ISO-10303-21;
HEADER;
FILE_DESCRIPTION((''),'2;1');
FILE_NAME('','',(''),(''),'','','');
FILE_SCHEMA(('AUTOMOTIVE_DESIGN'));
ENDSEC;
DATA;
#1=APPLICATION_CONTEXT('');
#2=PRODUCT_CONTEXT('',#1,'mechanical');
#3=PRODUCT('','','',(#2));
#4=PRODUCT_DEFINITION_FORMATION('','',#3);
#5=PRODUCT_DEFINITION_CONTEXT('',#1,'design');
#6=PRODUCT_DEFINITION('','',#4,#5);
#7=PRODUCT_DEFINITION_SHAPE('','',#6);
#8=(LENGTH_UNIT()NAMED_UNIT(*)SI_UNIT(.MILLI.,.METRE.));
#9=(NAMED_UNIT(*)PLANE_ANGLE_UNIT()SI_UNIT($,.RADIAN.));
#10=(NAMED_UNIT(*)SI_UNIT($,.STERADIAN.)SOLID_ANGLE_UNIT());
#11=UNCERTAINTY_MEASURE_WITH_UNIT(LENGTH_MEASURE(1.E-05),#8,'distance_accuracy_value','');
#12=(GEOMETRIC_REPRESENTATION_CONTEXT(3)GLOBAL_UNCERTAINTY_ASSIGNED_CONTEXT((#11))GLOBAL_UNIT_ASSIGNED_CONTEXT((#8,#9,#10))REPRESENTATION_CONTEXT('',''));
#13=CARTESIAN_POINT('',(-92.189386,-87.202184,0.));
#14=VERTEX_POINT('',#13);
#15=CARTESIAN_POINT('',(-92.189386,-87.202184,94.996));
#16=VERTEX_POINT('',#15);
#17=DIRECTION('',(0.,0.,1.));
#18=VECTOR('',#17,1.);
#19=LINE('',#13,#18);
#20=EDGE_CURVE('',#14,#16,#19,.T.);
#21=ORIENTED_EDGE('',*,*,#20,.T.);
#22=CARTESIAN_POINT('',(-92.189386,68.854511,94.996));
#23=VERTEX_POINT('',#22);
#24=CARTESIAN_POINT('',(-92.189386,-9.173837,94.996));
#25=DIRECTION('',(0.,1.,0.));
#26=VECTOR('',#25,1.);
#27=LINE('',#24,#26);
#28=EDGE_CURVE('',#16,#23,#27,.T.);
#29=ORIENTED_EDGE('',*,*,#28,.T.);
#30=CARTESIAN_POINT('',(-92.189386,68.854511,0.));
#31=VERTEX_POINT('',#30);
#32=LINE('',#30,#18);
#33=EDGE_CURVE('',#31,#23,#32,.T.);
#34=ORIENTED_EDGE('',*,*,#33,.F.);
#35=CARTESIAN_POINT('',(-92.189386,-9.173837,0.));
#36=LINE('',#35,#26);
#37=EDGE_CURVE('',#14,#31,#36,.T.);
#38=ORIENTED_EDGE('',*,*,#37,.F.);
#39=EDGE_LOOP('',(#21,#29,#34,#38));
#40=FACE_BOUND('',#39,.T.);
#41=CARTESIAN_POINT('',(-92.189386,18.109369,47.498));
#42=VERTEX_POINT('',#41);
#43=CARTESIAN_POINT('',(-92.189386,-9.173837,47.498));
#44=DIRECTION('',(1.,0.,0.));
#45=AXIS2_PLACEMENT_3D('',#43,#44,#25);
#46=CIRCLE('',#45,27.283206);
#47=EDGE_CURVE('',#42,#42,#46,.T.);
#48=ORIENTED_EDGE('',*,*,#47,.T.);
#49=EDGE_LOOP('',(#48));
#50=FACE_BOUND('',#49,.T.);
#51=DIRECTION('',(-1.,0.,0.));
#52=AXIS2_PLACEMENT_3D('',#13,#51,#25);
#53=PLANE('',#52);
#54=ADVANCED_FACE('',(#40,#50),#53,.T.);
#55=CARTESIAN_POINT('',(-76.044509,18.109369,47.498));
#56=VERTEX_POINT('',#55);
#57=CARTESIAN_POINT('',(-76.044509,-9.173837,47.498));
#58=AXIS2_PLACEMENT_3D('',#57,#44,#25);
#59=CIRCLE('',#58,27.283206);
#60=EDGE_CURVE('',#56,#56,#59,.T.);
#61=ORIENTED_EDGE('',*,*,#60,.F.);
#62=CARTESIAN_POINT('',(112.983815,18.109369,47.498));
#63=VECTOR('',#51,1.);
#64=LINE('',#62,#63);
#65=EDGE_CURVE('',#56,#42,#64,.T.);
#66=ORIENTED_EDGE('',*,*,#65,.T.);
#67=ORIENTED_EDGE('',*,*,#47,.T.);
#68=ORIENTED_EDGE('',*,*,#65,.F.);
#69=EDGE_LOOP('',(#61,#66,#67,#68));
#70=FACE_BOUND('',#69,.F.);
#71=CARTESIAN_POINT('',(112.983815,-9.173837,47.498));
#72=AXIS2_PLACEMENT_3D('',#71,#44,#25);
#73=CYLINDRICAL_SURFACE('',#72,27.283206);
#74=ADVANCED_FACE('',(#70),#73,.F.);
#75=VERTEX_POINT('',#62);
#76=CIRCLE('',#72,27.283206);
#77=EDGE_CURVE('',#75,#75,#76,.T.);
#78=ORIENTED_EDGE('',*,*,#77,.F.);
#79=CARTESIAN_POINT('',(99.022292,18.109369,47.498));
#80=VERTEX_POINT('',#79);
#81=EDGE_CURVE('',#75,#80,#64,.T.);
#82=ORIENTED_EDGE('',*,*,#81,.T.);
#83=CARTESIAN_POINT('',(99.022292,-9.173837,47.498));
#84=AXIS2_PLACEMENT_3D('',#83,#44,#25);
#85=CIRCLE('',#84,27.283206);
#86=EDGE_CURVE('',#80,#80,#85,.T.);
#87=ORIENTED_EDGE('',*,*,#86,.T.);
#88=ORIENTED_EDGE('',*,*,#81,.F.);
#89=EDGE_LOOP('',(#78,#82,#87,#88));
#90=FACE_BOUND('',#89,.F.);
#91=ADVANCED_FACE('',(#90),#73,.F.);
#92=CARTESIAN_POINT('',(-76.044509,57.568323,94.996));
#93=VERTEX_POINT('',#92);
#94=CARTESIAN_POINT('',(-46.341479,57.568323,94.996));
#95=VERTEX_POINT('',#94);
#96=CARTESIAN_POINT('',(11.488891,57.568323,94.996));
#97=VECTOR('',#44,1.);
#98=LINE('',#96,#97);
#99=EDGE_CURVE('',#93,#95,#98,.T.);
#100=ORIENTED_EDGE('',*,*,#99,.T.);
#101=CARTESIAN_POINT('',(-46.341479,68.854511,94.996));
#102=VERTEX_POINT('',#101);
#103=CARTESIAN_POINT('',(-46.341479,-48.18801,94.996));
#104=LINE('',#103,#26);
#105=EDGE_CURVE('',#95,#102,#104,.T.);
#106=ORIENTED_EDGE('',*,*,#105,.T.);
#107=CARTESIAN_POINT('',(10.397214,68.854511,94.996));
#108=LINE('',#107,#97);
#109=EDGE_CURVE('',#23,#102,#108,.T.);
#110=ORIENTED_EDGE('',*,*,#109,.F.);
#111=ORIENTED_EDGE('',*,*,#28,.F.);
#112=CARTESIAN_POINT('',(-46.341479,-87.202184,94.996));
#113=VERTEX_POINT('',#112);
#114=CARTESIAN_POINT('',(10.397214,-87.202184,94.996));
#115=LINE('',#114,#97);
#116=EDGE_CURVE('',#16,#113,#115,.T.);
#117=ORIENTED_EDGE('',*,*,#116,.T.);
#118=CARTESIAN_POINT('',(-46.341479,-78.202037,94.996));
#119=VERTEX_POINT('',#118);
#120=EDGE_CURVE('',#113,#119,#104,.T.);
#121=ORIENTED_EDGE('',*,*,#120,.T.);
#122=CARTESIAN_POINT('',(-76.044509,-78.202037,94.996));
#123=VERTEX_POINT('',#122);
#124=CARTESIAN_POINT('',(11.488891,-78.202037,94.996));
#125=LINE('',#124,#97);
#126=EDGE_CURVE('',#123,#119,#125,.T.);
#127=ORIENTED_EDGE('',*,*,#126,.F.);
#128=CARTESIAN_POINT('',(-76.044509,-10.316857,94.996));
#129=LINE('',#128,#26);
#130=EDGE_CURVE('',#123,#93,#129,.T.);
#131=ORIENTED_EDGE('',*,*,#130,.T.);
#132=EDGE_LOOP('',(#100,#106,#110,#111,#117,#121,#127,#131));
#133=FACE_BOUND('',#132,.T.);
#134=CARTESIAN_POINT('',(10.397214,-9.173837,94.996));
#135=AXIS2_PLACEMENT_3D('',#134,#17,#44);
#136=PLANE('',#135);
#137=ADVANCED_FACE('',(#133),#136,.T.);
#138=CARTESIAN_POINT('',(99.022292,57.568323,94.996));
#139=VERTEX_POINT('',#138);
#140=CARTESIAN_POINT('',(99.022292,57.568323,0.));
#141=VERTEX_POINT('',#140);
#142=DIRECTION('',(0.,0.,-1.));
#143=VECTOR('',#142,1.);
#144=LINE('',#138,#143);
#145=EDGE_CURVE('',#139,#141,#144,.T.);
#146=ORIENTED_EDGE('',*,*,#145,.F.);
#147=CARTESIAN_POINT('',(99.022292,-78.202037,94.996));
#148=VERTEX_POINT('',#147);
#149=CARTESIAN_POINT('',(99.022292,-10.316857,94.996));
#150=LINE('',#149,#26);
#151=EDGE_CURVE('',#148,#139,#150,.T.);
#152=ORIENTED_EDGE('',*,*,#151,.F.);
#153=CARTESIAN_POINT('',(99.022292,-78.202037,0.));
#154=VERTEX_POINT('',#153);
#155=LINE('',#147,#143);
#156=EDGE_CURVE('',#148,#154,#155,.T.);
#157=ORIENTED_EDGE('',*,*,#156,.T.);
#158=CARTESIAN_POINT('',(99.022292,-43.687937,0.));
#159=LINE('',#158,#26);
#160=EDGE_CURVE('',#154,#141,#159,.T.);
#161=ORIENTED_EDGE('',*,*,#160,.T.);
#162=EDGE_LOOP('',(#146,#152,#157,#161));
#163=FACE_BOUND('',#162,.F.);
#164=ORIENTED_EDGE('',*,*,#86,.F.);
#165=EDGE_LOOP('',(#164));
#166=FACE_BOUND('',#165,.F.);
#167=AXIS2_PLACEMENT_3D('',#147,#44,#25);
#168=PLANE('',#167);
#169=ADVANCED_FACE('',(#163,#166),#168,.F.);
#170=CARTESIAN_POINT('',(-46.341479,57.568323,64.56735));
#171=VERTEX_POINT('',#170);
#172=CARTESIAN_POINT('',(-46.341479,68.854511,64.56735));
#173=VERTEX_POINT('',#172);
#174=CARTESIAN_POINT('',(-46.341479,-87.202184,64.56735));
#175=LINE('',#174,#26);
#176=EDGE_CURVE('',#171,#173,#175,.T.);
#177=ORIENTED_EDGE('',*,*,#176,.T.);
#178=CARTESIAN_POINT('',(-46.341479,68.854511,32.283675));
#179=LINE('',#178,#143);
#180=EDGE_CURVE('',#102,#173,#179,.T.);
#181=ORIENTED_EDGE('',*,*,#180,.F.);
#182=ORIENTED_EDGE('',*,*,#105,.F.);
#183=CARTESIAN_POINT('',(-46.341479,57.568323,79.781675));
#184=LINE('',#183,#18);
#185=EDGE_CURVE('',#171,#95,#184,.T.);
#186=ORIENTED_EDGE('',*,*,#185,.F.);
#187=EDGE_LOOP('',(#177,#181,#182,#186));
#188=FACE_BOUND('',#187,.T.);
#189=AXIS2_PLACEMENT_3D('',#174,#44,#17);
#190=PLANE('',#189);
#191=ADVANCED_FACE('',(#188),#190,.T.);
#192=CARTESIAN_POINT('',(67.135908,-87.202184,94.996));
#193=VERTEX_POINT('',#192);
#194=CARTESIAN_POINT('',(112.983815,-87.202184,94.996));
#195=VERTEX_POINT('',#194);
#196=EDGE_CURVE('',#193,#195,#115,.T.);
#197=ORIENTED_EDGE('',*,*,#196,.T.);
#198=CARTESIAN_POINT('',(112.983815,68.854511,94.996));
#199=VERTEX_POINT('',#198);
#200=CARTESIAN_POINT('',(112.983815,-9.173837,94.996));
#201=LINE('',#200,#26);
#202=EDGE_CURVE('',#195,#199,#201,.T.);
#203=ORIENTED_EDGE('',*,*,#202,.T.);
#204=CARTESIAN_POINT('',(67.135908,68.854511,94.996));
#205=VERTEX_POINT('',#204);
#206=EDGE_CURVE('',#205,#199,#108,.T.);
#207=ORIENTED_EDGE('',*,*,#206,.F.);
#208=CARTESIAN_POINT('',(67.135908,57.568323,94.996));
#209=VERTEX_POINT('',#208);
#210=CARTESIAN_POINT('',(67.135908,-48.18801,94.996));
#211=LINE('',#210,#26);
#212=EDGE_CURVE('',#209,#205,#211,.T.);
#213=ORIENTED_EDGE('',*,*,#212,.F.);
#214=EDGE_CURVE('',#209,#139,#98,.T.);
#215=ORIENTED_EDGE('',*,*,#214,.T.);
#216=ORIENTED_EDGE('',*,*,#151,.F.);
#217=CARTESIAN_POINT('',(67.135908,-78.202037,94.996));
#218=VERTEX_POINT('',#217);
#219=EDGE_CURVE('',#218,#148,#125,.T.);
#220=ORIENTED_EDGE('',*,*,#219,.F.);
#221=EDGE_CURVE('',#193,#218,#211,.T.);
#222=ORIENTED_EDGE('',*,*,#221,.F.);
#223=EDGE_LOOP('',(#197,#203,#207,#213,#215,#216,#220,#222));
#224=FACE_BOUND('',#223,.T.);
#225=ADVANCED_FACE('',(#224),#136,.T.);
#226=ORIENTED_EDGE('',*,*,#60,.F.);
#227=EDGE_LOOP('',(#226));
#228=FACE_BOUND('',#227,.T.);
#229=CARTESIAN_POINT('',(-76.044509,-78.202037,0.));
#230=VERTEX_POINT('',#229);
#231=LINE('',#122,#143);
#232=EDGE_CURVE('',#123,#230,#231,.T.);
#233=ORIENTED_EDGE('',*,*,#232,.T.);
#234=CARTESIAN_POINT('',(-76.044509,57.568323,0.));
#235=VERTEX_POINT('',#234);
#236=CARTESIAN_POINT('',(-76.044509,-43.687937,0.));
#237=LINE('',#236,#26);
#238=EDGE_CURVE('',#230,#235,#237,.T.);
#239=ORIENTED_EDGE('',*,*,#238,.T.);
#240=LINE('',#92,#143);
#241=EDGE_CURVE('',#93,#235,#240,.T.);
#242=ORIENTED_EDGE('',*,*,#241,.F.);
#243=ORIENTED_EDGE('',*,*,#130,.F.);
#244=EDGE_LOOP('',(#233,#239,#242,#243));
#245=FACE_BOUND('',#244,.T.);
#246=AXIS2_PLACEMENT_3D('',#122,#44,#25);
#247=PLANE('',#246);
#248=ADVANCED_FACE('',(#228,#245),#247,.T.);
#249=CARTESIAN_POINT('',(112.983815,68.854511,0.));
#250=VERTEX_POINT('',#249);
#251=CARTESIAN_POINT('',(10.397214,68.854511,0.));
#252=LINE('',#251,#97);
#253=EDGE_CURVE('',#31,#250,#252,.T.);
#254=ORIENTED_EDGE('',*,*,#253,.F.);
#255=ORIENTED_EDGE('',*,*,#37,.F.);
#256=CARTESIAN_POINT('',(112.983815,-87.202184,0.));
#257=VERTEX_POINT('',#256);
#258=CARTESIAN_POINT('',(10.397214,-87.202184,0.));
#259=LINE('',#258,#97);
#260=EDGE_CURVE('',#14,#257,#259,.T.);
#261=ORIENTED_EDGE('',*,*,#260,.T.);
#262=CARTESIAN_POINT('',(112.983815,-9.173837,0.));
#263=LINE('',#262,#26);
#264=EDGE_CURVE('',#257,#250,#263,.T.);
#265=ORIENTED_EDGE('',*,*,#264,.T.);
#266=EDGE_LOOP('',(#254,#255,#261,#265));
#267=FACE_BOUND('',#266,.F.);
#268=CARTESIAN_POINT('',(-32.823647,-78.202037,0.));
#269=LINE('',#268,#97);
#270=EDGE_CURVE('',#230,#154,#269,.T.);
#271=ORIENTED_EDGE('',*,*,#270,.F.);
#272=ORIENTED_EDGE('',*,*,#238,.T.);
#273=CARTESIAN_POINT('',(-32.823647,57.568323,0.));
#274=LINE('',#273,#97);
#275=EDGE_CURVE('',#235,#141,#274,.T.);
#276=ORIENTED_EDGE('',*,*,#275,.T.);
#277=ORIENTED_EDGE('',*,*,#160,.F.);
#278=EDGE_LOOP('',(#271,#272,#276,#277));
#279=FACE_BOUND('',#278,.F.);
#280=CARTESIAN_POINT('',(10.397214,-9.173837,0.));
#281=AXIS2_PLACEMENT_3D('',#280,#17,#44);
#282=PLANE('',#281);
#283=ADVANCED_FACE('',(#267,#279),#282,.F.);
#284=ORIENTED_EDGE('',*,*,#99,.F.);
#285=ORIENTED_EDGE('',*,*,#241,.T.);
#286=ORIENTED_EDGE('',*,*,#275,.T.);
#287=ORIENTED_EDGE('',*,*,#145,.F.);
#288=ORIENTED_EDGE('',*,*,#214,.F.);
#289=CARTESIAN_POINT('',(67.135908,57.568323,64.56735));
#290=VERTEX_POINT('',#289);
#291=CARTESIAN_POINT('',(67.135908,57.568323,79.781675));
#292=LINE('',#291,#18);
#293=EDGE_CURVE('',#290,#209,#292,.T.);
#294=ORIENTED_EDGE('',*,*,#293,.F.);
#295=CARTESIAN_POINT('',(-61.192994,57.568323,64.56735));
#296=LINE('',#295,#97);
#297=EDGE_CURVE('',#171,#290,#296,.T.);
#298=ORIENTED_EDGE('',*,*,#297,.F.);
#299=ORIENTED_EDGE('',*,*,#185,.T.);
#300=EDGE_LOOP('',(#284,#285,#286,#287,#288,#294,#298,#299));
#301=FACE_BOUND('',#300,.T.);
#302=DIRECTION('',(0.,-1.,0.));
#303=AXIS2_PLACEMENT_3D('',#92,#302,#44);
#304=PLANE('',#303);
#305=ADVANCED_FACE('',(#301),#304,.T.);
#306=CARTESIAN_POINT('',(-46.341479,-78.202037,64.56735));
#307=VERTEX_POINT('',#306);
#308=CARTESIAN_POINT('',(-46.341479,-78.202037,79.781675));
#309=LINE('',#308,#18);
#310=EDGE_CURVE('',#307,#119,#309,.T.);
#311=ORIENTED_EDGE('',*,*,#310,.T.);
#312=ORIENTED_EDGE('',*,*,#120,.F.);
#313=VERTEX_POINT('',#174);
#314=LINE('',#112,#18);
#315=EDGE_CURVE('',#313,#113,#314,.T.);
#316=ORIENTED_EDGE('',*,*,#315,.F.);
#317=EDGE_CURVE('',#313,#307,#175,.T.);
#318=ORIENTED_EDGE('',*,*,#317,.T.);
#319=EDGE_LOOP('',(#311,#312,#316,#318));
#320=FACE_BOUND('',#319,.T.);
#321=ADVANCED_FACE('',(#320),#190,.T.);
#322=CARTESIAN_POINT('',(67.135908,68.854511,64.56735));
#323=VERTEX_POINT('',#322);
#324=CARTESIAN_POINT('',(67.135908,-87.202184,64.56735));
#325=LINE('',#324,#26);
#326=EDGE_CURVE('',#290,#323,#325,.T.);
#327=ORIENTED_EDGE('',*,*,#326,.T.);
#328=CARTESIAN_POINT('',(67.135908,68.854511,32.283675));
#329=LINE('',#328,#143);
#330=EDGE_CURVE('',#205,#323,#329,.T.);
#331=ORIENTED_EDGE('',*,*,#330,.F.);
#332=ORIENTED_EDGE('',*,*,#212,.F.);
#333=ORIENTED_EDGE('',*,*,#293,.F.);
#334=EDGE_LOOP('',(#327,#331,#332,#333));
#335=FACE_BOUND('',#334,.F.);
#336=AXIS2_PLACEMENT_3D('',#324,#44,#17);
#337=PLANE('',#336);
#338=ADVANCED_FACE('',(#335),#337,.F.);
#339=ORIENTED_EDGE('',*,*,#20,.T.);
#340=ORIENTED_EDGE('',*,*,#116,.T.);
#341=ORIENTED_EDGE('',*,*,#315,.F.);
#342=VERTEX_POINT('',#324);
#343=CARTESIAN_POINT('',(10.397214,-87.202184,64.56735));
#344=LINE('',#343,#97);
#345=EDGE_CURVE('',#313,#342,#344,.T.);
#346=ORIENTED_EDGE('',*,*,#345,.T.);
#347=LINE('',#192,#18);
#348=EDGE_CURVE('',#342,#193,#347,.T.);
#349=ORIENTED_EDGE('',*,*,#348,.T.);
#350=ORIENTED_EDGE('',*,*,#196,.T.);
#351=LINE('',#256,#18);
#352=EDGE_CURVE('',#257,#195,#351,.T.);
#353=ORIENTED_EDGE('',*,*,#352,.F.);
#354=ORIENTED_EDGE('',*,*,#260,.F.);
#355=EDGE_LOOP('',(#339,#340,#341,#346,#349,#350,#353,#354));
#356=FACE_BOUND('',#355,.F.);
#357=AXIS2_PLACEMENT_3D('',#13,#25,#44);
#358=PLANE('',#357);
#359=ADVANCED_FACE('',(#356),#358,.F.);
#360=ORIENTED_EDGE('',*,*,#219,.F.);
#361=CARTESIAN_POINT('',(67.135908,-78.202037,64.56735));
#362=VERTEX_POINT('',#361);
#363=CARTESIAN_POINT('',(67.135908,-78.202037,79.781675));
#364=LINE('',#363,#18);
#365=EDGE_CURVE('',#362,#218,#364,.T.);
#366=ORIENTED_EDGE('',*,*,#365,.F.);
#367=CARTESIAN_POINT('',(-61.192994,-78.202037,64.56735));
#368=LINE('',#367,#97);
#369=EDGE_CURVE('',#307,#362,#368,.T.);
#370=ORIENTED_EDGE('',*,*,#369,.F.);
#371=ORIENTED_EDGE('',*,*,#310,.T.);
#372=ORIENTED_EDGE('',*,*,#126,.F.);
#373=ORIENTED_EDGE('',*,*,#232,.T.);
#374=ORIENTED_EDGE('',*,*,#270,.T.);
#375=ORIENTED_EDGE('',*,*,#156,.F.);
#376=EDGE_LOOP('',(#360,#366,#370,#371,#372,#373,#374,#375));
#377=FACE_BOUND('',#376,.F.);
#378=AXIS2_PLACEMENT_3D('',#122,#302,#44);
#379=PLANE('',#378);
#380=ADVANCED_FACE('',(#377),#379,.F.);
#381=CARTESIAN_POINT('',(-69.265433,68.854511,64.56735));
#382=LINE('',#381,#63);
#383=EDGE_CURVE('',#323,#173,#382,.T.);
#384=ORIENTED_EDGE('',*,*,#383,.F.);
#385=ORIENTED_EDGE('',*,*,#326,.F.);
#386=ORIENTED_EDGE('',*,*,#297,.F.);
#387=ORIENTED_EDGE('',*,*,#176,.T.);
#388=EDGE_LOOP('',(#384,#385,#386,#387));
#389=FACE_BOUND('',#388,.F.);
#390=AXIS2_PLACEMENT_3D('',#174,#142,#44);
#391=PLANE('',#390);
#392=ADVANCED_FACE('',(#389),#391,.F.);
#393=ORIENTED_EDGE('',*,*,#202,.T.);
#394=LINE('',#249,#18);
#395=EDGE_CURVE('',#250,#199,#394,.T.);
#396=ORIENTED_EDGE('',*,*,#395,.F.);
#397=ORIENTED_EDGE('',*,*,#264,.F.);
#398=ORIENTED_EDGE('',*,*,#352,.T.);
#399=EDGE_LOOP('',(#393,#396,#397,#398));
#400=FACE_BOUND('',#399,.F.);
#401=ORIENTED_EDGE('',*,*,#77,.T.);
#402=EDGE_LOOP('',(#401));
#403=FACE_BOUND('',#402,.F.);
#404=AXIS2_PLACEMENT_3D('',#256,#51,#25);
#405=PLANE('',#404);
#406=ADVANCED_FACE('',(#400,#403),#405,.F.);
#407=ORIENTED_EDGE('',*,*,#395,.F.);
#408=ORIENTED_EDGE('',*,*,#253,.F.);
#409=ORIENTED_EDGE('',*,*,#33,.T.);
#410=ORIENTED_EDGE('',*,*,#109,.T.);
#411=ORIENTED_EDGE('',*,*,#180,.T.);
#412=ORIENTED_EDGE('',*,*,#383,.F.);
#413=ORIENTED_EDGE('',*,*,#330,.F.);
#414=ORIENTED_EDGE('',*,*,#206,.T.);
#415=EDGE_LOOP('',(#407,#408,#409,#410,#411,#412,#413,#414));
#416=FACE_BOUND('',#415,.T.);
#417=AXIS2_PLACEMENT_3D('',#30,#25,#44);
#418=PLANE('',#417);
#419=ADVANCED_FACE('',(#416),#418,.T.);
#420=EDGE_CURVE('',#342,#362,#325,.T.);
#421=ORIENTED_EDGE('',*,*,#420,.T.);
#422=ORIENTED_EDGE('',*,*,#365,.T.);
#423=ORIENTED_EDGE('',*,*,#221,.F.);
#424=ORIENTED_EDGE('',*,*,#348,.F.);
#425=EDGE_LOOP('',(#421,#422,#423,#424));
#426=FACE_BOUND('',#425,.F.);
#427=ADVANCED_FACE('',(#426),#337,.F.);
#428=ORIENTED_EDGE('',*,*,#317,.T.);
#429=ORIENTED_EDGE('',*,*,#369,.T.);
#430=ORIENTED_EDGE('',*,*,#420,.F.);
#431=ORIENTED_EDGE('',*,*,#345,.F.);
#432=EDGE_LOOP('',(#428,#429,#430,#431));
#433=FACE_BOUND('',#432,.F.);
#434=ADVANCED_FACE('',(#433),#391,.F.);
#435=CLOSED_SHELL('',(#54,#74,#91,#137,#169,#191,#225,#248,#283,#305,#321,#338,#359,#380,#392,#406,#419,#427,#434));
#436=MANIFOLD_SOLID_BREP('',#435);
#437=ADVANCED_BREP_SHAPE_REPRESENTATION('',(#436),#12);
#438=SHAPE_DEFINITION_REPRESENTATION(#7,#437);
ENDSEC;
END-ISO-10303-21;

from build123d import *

# Parameters (mm, degrees)
F0_W     = 205.173201859
F0_H     = 156.0566946864
F1_DEPTH = 94.996
F2_W     = 175.066800788
F2_H     = 135.7703600079
F3_DEPTH = 115.57
F4_R     = 27.2832059301
F5_DEPTH = 205.174201859
F6_W     = 113.4773865342
F6_H     = 60.8573002977
F7_DEPTH = 156.0576946864


with BuildPart() as f1:
    # F0 (on Top) → F1 (new body)
    with BuildSketch(Plane.XY):
        with Locations((10.3972144425, -9.1738365591)):
            Rectangle(F0_W, F0_H)
    extrude(amount=F1_DEPTH)

    # F2 (on face) → F3 (cut)
    with BuildSketch(Plane.XY.offset(94.996)):
        with Locations((11.4888912067, -10.3168571368)):
            Rectangle(F2_W, F2_H)
    extrude(amount=-F3_DEPTH, mode=Mode.SUBTRACT)

    # F4 (on face) → F5 (cut, through all)
    with BuildSketch(Plane.YZ.offset(112.983815372)):
        with Locations((-9.1738365591, 47.498)):
            Circle(F4_R)
    extrude(amount=-F5_DEPTH, mode=Mode.SUBTRACT)

    # F6 (on face) → F7 (cut, through all)
    with BuildSketch(Plane.XZ.offset(87.2021839023)):
        with Locations((10.3972144425, 94.996)):
            Rectangle(F6_W, F6_H)
    extrude(amount=-F7_DEPTH, mode=Mode.SUBTRACT)


solid = f1.part
